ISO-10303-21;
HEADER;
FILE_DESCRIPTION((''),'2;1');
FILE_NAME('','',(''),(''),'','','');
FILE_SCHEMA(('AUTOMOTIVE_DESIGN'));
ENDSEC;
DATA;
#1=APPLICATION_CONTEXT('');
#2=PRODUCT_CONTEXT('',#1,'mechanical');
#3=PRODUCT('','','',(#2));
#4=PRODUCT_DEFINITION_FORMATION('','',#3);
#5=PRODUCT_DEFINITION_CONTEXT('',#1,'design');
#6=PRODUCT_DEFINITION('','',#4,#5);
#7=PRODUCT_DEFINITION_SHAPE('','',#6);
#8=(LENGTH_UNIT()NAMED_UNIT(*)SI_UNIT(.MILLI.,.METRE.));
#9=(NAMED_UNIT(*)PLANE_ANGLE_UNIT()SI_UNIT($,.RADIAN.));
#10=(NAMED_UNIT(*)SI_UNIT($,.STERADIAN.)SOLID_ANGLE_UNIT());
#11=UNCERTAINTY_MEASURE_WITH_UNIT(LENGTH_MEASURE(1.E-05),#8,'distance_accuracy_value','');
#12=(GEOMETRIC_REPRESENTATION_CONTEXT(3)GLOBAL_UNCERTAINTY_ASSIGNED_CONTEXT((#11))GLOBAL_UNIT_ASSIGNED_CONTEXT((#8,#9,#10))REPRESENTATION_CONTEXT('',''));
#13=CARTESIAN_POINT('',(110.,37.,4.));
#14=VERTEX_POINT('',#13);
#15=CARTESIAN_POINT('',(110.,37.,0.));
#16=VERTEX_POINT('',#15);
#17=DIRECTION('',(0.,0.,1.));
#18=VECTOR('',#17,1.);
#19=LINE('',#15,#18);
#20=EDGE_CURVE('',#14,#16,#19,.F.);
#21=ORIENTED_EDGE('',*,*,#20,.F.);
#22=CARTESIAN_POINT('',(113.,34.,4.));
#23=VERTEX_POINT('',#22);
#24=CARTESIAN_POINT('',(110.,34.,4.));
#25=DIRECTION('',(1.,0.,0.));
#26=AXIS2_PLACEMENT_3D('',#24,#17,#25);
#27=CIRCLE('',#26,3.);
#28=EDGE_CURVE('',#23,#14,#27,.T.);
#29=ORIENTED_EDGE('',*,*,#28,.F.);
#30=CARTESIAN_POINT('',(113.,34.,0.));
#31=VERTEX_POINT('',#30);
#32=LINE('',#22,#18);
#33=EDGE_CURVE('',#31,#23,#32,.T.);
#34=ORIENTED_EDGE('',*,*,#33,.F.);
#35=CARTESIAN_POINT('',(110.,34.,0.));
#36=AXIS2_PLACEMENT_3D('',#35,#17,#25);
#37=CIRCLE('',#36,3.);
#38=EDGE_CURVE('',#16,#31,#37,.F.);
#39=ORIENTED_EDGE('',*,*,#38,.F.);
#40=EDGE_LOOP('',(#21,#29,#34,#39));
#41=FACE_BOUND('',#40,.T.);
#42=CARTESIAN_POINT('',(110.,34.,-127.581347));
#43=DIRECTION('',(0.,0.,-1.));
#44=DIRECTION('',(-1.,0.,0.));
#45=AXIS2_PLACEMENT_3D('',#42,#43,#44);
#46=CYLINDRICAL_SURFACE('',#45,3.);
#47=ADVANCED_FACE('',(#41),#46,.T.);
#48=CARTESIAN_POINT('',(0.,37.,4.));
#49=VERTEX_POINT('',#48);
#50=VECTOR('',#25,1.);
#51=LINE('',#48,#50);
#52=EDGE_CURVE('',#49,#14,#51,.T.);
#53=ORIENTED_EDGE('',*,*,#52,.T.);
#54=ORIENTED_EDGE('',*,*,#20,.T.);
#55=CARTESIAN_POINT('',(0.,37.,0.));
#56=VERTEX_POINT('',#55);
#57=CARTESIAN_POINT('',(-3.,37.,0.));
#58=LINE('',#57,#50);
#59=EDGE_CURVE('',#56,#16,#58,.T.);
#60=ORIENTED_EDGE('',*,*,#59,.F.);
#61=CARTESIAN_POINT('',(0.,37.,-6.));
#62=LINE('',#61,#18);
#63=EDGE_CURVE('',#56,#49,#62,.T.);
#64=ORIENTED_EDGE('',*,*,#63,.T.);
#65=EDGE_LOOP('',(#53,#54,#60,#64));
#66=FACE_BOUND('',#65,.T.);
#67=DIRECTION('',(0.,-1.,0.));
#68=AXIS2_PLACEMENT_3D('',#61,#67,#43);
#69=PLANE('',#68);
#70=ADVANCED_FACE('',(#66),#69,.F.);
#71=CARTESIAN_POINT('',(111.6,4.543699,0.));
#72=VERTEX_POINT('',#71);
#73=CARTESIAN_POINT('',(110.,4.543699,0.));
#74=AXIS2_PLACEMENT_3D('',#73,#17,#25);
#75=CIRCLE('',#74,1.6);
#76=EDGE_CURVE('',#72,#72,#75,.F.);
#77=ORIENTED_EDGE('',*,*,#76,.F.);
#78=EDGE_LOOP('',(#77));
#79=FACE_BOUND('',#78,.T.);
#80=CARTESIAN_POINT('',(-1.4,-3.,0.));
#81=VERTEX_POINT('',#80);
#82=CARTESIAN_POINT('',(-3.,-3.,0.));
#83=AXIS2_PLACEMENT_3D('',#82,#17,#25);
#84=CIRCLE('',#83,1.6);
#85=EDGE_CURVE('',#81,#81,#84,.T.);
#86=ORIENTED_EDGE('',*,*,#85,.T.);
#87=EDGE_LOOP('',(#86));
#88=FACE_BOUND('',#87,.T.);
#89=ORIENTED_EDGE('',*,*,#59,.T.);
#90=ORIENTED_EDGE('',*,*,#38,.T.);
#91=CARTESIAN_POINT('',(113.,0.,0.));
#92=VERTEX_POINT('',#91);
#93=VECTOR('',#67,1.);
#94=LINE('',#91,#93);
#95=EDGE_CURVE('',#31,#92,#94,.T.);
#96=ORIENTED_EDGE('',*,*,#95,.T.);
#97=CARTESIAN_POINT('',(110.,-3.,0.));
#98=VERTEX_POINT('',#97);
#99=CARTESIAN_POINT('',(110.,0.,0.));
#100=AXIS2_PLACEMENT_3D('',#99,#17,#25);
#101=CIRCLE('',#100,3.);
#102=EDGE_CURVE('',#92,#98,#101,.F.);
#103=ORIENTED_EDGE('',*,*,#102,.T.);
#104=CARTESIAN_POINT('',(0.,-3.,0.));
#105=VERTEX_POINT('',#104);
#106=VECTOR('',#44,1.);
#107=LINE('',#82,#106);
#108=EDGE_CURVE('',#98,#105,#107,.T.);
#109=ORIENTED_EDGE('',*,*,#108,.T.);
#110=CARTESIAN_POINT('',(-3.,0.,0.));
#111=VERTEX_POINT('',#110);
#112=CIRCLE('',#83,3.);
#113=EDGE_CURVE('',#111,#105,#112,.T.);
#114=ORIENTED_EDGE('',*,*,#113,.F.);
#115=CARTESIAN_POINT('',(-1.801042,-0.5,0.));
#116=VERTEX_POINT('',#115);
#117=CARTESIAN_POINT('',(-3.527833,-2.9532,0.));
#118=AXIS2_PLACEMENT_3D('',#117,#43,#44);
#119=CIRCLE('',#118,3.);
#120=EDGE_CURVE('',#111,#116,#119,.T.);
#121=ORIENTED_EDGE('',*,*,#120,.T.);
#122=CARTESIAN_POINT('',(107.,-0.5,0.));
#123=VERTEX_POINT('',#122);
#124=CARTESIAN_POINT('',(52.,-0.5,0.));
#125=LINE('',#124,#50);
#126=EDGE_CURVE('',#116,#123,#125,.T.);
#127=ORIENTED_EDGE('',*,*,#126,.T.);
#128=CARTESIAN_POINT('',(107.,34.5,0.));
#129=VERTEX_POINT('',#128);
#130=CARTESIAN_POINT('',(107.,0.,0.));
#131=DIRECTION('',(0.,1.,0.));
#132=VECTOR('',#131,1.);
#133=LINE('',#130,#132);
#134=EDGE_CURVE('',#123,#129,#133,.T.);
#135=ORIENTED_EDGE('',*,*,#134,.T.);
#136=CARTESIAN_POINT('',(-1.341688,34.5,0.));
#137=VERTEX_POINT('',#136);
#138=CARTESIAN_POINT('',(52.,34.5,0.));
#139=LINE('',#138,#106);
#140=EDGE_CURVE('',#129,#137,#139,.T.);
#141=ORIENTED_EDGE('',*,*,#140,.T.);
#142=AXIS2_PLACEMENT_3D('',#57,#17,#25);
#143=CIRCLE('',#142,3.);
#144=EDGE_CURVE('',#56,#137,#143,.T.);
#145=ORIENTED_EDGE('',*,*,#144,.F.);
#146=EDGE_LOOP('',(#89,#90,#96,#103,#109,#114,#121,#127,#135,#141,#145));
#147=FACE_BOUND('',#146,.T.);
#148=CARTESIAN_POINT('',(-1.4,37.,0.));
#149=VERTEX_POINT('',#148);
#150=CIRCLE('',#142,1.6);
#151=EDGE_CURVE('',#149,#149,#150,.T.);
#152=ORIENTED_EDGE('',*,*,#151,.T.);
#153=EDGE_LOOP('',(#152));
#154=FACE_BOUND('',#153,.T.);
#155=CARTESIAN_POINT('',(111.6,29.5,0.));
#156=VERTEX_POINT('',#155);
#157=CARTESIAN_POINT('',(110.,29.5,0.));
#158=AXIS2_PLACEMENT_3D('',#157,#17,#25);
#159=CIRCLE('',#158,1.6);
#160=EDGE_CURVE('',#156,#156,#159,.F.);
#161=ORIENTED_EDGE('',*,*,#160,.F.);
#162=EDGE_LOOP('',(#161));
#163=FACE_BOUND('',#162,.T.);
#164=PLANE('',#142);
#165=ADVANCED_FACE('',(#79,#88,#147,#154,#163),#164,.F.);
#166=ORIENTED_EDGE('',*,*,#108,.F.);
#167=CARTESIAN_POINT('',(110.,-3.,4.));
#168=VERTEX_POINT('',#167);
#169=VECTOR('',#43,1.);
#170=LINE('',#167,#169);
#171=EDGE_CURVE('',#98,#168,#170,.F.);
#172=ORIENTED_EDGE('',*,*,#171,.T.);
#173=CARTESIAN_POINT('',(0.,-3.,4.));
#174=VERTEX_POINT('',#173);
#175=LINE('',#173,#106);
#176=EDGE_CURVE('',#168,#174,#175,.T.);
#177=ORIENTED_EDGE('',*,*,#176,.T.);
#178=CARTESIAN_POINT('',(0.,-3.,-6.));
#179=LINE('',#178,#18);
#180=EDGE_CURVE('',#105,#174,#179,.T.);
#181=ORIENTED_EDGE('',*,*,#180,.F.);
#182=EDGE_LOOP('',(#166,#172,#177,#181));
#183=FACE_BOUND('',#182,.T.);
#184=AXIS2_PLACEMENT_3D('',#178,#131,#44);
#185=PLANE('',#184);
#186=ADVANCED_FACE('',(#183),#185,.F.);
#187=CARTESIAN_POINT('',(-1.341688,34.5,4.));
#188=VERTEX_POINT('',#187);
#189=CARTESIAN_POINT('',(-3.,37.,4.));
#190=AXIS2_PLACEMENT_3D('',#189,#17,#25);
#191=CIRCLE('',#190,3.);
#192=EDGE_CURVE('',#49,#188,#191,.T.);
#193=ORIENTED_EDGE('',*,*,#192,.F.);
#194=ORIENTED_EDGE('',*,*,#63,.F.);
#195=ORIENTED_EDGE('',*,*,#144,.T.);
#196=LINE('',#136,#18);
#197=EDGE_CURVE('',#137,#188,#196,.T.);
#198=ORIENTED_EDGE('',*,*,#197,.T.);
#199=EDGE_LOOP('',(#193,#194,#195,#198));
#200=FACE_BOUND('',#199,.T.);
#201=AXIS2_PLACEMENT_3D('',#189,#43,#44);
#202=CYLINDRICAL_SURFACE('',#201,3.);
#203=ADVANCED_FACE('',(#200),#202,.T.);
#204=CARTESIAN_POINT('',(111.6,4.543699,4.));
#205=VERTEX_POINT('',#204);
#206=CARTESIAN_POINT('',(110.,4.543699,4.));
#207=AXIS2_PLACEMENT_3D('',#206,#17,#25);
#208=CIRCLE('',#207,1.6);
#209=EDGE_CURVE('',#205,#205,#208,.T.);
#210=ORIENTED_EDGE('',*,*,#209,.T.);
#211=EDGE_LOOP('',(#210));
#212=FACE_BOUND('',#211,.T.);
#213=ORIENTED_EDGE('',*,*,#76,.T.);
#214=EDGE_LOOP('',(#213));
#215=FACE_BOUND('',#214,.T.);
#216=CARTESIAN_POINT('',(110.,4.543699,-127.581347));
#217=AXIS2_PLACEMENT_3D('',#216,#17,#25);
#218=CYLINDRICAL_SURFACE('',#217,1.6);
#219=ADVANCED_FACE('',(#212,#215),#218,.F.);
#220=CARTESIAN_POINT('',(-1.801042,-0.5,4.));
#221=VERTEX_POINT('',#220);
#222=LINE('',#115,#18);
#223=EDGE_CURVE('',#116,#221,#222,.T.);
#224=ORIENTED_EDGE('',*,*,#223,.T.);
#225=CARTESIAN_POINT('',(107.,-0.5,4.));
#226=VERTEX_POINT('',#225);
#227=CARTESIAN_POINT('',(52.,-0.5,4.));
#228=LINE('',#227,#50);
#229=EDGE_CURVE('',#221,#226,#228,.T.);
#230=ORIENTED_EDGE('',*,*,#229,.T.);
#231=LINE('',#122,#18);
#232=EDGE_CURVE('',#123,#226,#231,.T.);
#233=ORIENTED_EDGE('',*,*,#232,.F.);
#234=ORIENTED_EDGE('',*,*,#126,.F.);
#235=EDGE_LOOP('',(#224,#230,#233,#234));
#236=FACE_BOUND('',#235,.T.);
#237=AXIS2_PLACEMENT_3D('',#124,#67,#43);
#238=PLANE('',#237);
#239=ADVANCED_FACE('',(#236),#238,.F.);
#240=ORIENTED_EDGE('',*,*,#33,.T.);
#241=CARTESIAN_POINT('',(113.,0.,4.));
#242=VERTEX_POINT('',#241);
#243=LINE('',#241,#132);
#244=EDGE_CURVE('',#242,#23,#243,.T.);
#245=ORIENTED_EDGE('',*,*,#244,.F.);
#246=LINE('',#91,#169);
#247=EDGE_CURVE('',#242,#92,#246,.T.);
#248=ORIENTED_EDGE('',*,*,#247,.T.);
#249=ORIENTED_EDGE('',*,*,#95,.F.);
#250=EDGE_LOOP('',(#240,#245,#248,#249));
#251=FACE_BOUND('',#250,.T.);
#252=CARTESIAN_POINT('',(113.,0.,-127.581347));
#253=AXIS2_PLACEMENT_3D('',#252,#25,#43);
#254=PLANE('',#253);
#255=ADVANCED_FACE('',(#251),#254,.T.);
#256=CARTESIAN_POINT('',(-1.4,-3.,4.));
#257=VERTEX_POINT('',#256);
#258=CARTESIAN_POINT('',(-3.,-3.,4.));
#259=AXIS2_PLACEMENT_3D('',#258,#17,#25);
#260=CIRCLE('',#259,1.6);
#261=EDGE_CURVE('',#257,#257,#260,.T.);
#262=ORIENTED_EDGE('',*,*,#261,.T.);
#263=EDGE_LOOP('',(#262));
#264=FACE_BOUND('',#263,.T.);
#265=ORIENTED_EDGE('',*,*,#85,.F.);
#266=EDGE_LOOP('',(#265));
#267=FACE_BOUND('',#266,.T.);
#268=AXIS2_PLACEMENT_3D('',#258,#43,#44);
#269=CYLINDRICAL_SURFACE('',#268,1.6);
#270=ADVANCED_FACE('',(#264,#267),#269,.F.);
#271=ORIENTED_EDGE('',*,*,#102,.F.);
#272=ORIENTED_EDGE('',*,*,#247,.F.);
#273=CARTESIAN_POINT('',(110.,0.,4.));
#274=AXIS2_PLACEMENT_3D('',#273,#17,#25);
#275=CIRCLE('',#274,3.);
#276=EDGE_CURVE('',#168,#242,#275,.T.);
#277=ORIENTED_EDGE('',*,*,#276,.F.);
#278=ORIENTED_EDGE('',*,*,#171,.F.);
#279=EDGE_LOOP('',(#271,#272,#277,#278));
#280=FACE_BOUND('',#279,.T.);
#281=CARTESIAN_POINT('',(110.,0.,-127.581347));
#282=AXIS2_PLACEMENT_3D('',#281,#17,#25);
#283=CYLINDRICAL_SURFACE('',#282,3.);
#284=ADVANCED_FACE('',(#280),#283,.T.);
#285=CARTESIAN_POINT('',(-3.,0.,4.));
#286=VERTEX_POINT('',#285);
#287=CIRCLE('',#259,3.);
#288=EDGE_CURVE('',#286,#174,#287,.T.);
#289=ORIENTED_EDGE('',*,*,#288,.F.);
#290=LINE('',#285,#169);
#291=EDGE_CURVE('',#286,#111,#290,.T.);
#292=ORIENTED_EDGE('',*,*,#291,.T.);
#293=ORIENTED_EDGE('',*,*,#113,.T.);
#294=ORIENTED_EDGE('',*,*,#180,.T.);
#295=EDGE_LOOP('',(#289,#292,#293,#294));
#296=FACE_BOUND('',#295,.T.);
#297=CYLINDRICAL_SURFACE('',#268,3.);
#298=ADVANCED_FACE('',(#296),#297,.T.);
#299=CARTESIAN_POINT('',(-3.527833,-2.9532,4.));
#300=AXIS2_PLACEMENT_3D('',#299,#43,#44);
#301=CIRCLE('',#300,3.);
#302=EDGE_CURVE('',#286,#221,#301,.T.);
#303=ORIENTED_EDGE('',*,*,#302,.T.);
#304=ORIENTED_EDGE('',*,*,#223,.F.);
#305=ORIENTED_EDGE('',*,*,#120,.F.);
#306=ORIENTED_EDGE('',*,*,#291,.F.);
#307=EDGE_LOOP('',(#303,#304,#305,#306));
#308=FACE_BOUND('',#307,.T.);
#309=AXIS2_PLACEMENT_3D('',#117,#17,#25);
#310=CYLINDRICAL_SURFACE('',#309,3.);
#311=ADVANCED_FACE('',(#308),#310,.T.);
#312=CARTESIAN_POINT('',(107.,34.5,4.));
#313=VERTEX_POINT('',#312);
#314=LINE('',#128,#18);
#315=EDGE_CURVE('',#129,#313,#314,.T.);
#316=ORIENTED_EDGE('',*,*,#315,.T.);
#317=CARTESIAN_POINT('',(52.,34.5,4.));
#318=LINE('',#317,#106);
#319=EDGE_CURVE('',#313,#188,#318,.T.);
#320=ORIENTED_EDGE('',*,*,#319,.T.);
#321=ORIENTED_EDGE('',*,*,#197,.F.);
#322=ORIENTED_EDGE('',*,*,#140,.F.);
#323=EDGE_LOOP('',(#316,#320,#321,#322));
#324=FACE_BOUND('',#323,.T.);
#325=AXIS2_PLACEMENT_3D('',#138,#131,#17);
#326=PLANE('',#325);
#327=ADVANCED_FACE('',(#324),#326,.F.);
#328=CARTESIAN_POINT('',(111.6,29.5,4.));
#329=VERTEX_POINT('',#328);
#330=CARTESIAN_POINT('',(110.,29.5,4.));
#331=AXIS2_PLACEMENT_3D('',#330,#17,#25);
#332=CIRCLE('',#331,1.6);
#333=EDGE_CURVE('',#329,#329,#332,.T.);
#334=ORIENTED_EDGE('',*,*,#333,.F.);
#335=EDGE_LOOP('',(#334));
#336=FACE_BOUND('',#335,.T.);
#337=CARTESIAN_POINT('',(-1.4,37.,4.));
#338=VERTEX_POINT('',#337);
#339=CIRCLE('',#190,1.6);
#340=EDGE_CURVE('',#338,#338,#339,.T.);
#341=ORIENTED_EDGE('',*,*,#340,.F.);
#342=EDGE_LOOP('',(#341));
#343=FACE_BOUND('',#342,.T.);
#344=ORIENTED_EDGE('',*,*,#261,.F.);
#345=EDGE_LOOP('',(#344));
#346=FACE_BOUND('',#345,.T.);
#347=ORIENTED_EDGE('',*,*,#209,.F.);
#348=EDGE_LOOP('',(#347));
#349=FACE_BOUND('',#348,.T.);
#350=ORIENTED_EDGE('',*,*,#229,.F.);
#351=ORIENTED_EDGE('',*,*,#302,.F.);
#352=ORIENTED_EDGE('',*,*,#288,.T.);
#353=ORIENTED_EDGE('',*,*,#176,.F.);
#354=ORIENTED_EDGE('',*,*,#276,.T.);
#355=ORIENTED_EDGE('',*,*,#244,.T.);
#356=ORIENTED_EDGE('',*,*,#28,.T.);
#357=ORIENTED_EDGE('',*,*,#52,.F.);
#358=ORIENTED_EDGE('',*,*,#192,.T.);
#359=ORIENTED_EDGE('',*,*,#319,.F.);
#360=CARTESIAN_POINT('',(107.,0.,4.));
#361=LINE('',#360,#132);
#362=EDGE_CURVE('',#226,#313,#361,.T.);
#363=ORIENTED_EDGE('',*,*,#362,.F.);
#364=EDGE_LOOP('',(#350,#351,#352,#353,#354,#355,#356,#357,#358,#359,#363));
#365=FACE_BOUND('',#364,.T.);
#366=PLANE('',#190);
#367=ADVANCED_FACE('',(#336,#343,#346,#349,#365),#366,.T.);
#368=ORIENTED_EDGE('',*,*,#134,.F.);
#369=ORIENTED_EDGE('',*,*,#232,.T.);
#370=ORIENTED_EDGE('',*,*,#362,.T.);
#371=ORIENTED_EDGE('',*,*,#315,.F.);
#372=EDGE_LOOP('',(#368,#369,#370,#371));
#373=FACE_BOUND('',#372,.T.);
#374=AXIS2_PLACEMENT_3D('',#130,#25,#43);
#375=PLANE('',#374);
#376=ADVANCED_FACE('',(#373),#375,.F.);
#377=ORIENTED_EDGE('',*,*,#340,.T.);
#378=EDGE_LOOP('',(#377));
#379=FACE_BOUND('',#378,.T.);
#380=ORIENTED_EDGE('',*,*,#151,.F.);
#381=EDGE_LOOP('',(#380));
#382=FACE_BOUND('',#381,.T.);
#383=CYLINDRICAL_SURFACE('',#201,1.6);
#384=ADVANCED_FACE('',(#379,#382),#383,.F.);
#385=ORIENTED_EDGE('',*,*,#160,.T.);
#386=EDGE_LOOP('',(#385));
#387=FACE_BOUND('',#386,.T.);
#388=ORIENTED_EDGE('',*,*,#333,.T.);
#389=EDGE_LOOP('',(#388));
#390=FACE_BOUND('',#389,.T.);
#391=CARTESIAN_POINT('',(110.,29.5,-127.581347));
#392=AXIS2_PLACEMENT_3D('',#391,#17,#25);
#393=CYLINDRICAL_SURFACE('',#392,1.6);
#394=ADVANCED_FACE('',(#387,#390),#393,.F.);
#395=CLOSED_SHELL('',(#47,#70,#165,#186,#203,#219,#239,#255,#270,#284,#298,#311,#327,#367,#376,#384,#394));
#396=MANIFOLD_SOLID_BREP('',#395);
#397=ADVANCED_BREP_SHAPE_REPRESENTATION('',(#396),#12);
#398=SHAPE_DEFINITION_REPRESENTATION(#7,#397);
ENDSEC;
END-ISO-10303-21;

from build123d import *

# Parameters (mm, degrees)
SKETCH1_R           = 1.6
BOSS_EXTRUDE1_DEPTH = 4
SKETCH2_R           = 1.6
BOSS_EXTRUDE2_DEPTH = 4
SKETCH3_R           = 1.6
CUT_EXTRUDE1_DEPTH  = 4
SKETCH4_W           = 1
SKETCH4_H           = 46
BOSS_EXTRUDE4_DEPTH = 4
SKETCH6_R           = 1.6
SKETCH6_W           = 1
SKETCH6_H           = 34
CUT_EXTRUDE2_DEPTH  = 4
CUT_EXTRUDE4_DEPTH  = 4
FILLET2_R           = 3
CUT_EXTRUDE5_DEPTH  = 10
FILLET3_R           = 3


with BuildPart() as part:
    # Sketch1 → Boss-Extrude1 (new body)
    with BuildSketch(Plane.XY):
        with BuildLine():
            Line((0, 34), (106, 34))
            Line((106, 34), (106, 0))
            Line((106, 0), (0, 0))
            Line((0, 0), (-3, 0))
            ThreePointArc((-3, 0), (-6, -3), (-3, -6))
            Line((-3, -6), (112, -6))
            Line((112, -6), (112, 0))
            Line((112, 0), (112, 40))
            Line((112, 40), (-3, 40))
            ThreePointArc((-3, 40), (-6, 37), (-3, 34))
            Line((-3, 34), (0, 34))
        make_face()
        with Locations((-3, 37)):
            Circle(SKETCH1_R, mode=Mode.SUBTRACT)
        with Locations((-3, -3)):
            Circle(SKETCH1_R, mode=Mode.SUBTRACT)
        with Locations((109, 29.25)):
            Circle(SKETCH1_R, mode=Mode.SUBTRACT)
        with Locations((109, 4.75)):
            Circle(SKETCH1_R, mode=Mode.SUBTRACT)
    extrude(amount=BOSS_EXTRUDE1_DEPTH)

    # Sketch2 → Boss-Extrude2 (add)
    with BuildSketch(Plane.XY.offset(4)):
        with Locations((109, 4.75)):
            Circle(SKETCH2_R)
        with Locations((109, 29.25)):
            Circle(SKETCH2_R)
    extrude(amount=-BOSS_EXTRUDE2_DEPTH)

    # Sketch3 → Cut-Extrude1 (cut)
    with BuildSketch(Plane.XY.offset(4)):
        with Locations((109, 29.5)):
            Circle(SKETCH3_R)
        with Locations((109, 4.5)):
            Circle(SKETCH3_R)
    extrude(amount=-CUT_EXTRUDE1_DEPTH, mode=Mode.SUBTRACT)

    # Sketch4 → Boss-Extrude4 (add)
    with BuildSketch(Plane.XY.offset(4)):
        with Locations((112.5, 17)):
            Rectangle(SKETCH4_W, SKETCH4_H)
        with BuildLine():
            ThreePointArc((109.5, 27.980131585), (108.4, 29.5), (109.5, 31.019868415))
            ThreePointArc((109.5, 31.019868415), (107.4, 29.5), (109.5, 27.980131585))
        make_face()
        with BuildLine():
            ThreePointArc((109.566346567, 3.003587101), (108.401525498, 4.473847256), (109.433653433, 6.040111912))
            ThreePointArc((109.433653433, 6.040111912), (107.401525498, 4.430148243), (109.566346567, 3.003587101))
        make_face()
    extrude(amount=-BOSS_EXTRUDE4_DEPTH)

    # Sketch6 → Cut-Extrude2 (cut)
    with BuildSketch(Plane.XY.offset(4)):
        with Locations((110, 4.543699012)):
            Circle(SKETCH6_R)
        with Locations((110, 29.5)):
            Circle(SKETCH6_R)
        with Locations((106.5, 17)):
            Rectangle(SKETCH6_W, SKETCH6_H)
    extrude(amount=-CUT_EXTRUDE2_DEPTH, mode=Mode.SUBTRACT)

    # Sketch7 → Cut-Extrude4 (cut)
    with BuildSketch(Plane.XY.offset(4)):
        with BuildLine():
            Line((52, 0), (-3, 0))
            ThreePointArc((-3, 0), (-2.373132959, -0.184325643), (-1.801042119, -0.5))
            Line((-1.801042119, -0.5), (52, -0.5))
            Line((52, -0.5), (107, -0.5))
            Line((107, -0.5), (107, 0))
            Line((107, 0), (52, 0))
        make_face()
        with BuildLine():
            Line((52, 34.5), (-1.341687605, 34.5))
            ThreePointArc((-1.341687605, 34.5), (-2.133974596, 34.127718677), (-3, 34))
            Line((-3, 34), (52, 34))
            Line((52, 34), (107, 34))
            Line((107, 34), (107, 34.5))
            Line((107, 34.5), (52, 34.5))
        make_face()
    extrude(amount=-CUT_EXTRUDE4_DEPTH, mode=Mode.SUBTRACT)

    # Fillet2
    fillet2_edges = [part.edges().sort_by_distance(p)[0] for p in [
        (113, -6, 2),
        (113, 40, 2),
    ]]
    fillet(fillet2_edges, radius=FILLET2_R)

    # Sketch8 → Cut-Extrude5 (cut)
    with BuildSketch(Plane.XY.offset(4)):
        with BuildLine():
            Line((0, 37), (113, 37))
            Line((113, 37), (119.400968333, 46.55128084))
            Line((119.400968333, 46.55128084), (-5.470878247, 48.639937772))
            Line((-5.470878247, 48.639937772), (-3, 40))
            ThreePointArc((-3, 40), (-0.878679656, 39.121320344), (0, 37))
        make_face()
        with BuildLine():
            Line((0, -3), (113, -3))
            Line((113, -3), (122.38476395, -22.523587699))
            Line((122.38476395, -22.523587699), (1.093472111, -19.390602301))
            Line((1.093472111, -19.390602301), (-3, -6))
            ThreePointArc((-3, -6), (-0.878679656, -5.121320344), (0, -3))
        make_face()
    extrude(amount=-CUT_EXTRUDE5_DEPTH, mode=Mode.SUBTRACT)

    # Fillet3
    fillet3_edges = [part.edges().sort_by_distance(p)[0] for p in [
        (113, -3, 2),
        (113, 37, 2),
    ]]
    fillet(fillet3_edges, radius=FILLET3_R)


solid = part.part
